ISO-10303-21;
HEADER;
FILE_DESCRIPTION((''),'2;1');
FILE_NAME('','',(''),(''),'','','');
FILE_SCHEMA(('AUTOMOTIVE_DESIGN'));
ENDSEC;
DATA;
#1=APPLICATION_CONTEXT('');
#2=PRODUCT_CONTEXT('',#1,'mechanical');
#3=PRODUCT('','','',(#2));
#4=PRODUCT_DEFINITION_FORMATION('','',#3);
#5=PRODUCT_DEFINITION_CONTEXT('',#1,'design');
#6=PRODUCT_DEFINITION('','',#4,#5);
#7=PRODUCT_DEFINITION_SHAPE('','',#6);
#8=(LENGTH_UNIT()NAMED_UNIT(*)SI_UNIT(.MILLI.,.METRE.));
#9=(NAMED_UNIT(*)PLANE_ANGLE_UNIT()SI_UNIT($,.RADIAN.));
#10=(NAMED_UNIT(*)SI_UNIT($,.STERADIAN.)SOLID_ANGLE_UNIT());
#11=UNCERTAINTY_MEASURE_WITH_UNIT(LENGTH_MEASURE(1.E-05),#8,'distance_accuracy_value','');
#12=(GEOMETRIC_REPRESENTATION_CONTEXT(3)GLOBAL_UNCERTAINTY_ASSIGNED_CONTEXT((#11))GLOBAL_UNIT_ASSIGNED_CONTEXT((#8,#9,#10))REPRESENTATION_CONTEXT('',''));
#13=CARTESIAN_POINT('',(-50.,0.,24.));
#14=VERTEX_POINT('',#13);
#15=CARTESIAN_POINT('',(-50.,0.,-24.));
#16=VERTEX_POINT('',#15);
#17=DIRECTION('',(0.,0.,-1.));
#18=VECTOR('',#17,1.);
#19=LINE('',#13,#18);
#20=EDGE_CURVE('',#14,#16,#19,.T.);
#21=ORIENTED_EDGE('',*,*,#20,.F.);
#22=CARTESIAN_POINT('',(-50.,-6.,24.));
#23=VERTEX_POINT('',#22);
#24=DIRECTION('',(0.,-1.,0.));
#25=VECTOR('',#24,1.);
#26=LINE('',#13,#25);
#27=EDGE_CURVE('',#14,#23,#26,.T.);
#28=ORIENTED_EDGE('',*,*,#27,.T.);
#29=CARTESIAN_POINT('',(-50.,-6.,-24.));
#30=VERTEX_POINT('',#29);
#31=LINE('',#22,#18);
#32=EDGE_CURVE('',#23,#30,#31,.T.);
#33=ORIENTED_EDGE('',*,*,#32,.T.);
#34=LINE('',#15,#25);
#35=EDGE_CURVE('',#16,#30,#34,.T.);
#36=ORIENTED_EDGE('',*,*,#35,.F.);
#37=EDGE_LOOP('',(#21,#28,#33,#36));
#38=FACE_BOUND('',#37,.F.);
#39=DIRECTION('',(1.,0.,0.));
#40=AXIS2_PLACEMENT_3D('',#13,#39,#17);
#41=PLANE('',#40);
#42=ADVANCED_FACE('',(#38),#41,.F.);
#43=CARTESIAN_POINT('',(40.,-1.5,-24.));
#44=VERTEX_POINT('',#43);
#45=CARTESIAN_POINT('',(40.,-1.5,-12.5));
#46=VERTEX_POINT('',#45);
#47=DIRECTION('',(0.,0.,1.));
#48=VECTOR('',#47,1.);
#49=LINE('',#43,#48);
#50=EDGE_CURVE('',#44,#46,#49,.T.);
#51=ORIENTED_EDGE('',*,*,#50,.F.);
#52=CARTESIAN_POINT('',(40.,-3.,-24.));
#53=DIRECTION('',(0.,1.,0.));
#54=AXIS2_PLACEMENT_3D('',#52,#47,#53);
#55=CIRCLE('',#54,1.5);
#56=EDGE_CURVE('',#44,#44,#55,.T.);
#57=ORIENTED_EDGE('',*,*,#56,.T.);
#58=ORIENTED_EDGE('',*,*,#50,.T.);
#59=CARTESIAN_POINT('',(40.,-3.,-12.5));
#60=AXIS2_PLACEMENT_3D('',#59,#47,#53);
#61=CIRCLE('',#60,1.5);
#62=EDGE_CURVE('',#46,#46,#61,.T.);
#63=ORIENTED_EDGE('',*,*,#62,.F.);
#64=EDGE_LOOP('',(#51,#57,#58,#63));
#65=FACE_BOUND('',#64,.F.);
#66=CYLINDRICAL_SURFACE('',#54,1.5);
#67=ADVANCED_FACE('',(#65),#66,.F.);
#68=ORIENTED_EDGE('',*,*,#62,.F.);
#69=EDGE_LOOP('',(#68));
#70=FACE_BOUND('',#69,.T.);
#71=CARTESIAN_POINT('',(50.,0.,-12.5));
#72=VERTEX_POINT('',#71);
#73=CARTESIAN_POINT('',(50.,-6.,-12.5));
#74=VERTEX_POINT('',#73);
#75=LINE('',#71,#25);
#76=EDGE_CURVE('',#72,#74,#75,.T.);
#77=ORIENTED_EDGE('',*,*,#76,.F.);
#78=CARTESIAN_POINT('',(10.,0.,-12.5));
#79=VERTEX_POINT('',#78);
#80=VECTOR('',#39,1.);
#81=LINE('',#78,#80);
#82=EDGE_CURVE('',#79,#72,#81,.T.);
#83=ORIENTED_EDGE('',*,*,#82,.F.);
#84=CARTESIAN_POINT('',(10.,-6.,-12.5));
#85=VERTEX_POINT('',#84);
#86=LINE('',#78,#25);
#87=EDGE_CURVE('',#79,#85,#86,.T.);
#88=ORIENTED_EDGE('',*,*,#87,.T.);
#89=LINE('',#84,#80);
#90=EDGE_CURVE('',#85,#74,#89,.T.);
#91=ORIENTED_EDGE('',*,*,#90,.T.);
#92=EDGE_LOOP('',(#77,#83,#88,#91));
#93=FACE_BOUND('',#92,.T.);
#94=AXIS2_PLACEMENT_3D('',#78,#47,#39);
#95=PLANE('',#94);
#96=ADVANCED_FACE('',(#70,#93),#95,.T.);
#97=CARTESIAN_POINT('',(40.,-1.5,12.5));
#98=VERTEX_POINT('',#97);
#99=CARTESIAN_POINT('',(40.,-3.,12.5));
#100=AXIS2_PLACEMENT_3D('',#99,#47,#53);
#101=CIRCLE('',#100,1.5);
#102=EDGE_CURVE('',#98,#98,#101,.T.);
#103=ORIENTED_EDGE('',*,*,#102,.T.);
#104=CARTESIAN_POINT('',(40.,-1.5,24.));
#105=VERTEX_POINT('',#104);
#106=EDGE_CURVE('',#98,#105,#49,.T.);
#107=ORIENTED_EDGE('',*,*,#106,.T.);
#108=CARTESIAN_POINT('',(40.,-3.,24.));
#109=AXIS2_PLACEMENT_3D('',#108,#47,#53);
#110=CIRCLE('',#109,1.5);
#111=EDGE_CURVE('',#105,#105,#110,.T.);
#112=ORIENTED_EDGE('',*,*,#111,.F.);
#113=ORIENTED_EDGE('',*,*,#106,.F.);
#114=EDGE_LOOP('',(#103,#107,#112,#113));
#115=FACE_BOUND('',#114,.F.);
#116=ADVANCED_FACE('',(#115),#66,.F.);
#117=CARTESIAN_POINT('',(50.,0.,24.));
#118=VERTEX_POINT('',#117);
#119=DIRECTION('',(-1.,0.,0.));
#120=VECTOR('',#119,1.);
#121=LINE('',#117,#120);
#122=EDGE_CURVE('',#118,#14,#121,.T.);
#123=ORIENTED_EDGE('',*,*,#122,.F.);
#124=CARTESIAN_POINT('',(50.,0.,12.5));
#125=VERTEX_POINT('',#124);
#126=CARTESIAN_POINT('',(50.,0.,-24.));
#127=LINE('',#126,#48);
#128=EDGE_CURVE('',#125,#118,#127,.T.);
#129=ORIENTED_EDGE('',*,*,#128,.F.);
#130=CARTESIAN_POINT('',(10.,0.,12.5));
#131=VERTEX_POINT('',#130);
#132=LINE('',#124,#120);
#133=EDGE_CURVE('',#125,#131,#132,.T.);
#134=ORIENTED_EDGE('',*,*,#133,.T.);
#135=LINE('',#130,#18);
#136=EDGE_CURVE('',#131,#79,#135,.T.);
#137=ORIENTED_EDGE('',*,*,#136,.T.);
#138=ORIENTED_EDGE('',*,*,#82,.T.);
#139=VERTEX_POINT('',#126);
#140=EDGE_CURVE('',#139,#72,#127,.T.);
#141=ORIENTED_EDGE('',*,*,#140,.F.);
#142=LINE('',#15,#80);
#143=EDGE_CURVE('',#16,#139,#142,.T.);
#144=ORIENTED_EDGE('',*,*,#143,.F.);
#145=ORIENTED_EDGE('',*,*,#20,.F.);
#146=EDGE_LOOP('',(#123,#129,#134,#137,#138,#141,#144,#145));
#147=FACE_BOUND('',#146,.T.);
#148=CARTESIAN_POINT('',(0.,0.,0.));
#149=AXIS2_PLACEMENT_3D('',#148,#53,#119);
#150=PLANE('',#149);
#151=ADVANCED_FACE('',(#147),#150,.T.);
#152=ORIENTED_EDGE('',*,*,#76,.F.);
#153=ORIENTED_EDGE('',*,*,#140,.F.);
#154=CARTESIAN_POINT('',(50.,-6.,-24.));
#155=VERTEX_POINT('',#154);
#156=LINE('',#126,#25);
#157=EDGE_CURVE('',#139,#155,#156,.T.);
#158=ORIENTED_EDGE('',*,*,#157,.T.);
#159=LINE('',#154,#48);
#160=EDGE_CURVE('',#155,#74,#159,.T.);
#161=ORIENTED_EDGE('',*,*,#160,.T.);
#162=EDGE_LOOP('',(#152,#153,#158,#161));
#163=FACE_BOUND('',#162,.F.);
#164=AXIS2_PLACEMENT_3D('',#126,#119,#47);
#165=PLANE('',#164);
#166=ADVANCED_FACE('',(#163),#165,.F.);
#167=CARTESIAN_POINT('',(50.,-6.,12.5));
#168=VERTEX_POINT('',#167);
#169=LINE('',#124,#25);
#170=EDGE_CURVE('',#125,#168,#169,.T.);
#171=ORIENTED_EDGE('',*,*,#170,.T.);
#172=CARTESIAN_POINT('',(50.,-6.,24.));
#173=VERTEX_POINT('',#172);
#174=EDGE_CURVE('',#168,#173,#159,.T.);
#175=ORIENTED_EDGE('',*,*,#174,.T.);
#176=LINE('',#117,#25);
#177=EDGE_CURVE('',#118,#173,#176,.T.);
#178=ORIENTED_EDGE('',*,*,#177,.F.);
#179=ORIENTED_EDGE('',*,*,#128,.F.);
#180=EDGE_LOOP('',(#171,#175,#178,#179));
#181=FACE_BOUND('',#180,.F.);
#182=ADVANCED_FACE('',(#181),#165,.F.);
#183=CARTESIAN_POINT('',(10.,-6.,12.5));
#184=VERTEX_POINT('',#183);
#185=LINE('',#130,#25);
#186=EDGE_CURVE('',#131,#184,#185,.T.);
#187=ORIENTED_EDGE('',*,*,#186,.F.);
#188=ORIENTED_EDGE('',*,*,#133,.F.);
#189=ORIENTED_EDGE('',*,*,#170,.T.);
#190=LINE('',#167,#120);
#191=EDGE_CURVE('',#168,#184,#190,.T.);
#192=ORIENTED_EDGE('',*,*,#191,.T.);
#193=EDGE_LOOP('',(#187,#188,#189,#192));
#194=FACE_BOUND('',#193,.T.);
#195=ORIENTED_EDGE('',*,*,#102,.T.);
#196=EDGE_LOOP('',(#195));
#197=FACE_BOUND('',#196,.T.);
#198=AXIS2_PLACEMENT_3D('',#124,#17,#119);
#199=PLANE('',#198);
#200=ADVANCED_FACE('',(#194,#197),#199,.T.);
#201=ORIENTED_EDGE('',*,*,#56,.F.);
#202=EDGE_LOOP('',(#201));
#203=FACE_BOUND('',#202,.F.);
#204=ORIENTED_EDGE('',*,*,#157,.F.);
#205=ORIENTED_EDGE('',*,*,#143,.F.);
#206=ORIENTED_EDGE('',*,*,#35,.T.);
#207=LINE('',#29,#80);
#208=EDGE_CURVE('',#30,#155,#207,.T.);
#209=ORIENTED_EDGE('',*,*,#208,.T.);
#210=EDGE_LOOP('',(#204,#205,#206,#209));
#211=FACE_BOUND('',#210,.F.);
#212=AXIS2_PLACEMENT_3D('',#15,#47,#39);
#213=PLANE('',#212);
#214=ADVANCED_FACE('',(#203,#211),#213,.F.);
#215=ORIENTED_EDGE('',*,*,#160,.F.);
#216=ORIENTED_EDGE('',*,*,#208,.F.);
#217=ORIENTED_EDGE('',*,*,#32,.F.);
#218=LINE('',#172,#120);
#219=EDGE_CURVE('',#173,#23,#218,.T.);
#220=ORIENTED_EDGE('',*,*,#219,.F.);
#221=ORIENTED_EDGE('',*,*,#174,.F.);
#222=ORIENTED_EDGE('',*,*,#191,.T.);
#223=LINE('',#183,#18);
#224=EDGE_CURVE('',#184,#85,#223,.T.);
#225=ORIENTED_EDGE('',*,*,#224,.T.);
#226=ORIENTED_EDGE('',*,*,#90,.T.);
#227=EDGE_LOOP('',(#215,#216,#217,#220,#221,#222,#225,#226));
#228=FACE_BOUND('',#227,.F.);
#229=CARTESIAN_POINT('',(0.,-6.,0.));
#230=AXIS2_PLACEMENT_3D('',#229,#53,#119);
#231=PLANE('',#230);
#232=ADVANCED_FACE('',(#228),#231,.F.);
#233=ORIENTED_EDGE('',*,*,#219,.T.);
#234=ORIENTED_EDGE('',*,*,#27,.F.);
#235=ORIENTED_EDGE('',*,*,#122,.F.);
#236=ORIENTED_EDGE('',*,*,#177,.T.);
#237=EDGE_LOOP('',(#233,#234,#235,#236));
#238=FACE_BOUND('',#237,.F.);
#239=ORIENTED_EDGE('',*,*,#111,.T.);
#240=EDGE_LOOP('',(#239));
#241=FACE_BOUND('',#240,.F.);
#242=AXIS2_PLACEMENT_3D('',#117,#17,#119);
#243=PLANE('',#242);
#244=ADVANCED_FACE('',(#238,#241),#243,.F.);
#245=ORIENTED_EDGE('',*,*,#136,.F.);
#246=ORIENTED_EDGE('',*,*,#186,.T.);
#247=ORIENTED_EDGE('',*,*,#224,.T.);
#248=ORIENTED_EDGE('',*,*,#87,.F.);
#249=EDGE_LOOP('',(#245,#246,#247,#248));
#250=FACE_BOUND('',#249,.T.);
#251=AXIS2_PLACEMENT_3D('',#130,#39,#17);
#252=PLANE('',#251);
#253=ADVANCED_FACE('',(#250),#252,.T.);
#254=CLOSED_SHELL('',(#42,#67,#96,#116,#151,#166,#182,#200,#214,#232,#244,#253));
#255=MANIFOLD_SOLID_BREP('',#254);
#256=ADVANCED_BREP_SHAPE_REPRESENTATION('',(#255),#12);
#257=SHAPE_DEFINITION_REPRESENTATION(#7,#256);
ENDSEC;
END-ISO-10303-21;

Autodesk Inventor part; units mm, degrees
ref_plane "YZ Plane" through (0, 0, 0) normal (1, 0, 0) x (0, 1, 0)
ref_plane "XZ Plane" through (0, 0, 0) normal (0, 1, 0) x (-1, 0, 0)
ref_plane "XY Plane" through (0, 0, 0) normal (0, 0, 1) x (1, 0, 0)
sketch "Sketch1" plane through (0, 0, 0) normal (0, 1, 0) x (-1, 0, 0)
  line L0 (-50, 24) -> (50, 24)
  line L1 (50, 24) -> (50, -24)
  line L2 (50, -24) -> (-50, -24)
  line L3 (-50, -24) -> (-50, 24)
  point P0 (0, 0)
  point P1 (-50, 0)
  point P2 (0, 24)
  point P3 (-5, -14)
  dimension "d0" = 100
  dimension "d1" = 48
  dimension "d4" = 45
  dimension "d5" = 10
extrude "Extrusion1" add sketch "Sketch1" against normal blind 6
sketch "Sketch2" plane through (0, 0, 0) normal (0, 1, 0) x (1, 0, 0)
  line L0 (50, 24) -> (-50, 24) projected
  line L1 (-50, 24) -> (-50, -24) projected
  line L2 (-50, -24) -> (50, -24) projected
  line L3 (50, -24) -> (50, 24) projected
  line L4 (50, 24) -> (50, -24) projected
  line L5 (50, -12.5) -> (10, -12.5)
  line L6 (10, -12.5) -> (10, 12.5)
  line L7 (10, 12.5) -> (50, 12.5)
  line L8 (50, 12.5) -> (50, -12.5)
  point P0 (0, 0)
  point P1 (10, 0)
  dimension "d6" = 40
  dimension "d7" = 25
extrude "Extrusion2" cut sketch "Sketch2" against normal blind 6 contours L3 L5 L6 L7
sketch "Sketch4" plane through (50, 0, -24) normal (0, 0, -1) x (-1, 0, 0)
  line L0 (0, 0) -> (0, -6) projected
  point P0 (50, 0)
  point P1 (10, -3)
  point P2 (0, -3)
  dimension "d12" = 10
hole "Hole1" at (40, -3, -24) direction (0, 0, 1) diameter 3 end through all
properties part number "Mausefallle" material "Wood (Oak)"
